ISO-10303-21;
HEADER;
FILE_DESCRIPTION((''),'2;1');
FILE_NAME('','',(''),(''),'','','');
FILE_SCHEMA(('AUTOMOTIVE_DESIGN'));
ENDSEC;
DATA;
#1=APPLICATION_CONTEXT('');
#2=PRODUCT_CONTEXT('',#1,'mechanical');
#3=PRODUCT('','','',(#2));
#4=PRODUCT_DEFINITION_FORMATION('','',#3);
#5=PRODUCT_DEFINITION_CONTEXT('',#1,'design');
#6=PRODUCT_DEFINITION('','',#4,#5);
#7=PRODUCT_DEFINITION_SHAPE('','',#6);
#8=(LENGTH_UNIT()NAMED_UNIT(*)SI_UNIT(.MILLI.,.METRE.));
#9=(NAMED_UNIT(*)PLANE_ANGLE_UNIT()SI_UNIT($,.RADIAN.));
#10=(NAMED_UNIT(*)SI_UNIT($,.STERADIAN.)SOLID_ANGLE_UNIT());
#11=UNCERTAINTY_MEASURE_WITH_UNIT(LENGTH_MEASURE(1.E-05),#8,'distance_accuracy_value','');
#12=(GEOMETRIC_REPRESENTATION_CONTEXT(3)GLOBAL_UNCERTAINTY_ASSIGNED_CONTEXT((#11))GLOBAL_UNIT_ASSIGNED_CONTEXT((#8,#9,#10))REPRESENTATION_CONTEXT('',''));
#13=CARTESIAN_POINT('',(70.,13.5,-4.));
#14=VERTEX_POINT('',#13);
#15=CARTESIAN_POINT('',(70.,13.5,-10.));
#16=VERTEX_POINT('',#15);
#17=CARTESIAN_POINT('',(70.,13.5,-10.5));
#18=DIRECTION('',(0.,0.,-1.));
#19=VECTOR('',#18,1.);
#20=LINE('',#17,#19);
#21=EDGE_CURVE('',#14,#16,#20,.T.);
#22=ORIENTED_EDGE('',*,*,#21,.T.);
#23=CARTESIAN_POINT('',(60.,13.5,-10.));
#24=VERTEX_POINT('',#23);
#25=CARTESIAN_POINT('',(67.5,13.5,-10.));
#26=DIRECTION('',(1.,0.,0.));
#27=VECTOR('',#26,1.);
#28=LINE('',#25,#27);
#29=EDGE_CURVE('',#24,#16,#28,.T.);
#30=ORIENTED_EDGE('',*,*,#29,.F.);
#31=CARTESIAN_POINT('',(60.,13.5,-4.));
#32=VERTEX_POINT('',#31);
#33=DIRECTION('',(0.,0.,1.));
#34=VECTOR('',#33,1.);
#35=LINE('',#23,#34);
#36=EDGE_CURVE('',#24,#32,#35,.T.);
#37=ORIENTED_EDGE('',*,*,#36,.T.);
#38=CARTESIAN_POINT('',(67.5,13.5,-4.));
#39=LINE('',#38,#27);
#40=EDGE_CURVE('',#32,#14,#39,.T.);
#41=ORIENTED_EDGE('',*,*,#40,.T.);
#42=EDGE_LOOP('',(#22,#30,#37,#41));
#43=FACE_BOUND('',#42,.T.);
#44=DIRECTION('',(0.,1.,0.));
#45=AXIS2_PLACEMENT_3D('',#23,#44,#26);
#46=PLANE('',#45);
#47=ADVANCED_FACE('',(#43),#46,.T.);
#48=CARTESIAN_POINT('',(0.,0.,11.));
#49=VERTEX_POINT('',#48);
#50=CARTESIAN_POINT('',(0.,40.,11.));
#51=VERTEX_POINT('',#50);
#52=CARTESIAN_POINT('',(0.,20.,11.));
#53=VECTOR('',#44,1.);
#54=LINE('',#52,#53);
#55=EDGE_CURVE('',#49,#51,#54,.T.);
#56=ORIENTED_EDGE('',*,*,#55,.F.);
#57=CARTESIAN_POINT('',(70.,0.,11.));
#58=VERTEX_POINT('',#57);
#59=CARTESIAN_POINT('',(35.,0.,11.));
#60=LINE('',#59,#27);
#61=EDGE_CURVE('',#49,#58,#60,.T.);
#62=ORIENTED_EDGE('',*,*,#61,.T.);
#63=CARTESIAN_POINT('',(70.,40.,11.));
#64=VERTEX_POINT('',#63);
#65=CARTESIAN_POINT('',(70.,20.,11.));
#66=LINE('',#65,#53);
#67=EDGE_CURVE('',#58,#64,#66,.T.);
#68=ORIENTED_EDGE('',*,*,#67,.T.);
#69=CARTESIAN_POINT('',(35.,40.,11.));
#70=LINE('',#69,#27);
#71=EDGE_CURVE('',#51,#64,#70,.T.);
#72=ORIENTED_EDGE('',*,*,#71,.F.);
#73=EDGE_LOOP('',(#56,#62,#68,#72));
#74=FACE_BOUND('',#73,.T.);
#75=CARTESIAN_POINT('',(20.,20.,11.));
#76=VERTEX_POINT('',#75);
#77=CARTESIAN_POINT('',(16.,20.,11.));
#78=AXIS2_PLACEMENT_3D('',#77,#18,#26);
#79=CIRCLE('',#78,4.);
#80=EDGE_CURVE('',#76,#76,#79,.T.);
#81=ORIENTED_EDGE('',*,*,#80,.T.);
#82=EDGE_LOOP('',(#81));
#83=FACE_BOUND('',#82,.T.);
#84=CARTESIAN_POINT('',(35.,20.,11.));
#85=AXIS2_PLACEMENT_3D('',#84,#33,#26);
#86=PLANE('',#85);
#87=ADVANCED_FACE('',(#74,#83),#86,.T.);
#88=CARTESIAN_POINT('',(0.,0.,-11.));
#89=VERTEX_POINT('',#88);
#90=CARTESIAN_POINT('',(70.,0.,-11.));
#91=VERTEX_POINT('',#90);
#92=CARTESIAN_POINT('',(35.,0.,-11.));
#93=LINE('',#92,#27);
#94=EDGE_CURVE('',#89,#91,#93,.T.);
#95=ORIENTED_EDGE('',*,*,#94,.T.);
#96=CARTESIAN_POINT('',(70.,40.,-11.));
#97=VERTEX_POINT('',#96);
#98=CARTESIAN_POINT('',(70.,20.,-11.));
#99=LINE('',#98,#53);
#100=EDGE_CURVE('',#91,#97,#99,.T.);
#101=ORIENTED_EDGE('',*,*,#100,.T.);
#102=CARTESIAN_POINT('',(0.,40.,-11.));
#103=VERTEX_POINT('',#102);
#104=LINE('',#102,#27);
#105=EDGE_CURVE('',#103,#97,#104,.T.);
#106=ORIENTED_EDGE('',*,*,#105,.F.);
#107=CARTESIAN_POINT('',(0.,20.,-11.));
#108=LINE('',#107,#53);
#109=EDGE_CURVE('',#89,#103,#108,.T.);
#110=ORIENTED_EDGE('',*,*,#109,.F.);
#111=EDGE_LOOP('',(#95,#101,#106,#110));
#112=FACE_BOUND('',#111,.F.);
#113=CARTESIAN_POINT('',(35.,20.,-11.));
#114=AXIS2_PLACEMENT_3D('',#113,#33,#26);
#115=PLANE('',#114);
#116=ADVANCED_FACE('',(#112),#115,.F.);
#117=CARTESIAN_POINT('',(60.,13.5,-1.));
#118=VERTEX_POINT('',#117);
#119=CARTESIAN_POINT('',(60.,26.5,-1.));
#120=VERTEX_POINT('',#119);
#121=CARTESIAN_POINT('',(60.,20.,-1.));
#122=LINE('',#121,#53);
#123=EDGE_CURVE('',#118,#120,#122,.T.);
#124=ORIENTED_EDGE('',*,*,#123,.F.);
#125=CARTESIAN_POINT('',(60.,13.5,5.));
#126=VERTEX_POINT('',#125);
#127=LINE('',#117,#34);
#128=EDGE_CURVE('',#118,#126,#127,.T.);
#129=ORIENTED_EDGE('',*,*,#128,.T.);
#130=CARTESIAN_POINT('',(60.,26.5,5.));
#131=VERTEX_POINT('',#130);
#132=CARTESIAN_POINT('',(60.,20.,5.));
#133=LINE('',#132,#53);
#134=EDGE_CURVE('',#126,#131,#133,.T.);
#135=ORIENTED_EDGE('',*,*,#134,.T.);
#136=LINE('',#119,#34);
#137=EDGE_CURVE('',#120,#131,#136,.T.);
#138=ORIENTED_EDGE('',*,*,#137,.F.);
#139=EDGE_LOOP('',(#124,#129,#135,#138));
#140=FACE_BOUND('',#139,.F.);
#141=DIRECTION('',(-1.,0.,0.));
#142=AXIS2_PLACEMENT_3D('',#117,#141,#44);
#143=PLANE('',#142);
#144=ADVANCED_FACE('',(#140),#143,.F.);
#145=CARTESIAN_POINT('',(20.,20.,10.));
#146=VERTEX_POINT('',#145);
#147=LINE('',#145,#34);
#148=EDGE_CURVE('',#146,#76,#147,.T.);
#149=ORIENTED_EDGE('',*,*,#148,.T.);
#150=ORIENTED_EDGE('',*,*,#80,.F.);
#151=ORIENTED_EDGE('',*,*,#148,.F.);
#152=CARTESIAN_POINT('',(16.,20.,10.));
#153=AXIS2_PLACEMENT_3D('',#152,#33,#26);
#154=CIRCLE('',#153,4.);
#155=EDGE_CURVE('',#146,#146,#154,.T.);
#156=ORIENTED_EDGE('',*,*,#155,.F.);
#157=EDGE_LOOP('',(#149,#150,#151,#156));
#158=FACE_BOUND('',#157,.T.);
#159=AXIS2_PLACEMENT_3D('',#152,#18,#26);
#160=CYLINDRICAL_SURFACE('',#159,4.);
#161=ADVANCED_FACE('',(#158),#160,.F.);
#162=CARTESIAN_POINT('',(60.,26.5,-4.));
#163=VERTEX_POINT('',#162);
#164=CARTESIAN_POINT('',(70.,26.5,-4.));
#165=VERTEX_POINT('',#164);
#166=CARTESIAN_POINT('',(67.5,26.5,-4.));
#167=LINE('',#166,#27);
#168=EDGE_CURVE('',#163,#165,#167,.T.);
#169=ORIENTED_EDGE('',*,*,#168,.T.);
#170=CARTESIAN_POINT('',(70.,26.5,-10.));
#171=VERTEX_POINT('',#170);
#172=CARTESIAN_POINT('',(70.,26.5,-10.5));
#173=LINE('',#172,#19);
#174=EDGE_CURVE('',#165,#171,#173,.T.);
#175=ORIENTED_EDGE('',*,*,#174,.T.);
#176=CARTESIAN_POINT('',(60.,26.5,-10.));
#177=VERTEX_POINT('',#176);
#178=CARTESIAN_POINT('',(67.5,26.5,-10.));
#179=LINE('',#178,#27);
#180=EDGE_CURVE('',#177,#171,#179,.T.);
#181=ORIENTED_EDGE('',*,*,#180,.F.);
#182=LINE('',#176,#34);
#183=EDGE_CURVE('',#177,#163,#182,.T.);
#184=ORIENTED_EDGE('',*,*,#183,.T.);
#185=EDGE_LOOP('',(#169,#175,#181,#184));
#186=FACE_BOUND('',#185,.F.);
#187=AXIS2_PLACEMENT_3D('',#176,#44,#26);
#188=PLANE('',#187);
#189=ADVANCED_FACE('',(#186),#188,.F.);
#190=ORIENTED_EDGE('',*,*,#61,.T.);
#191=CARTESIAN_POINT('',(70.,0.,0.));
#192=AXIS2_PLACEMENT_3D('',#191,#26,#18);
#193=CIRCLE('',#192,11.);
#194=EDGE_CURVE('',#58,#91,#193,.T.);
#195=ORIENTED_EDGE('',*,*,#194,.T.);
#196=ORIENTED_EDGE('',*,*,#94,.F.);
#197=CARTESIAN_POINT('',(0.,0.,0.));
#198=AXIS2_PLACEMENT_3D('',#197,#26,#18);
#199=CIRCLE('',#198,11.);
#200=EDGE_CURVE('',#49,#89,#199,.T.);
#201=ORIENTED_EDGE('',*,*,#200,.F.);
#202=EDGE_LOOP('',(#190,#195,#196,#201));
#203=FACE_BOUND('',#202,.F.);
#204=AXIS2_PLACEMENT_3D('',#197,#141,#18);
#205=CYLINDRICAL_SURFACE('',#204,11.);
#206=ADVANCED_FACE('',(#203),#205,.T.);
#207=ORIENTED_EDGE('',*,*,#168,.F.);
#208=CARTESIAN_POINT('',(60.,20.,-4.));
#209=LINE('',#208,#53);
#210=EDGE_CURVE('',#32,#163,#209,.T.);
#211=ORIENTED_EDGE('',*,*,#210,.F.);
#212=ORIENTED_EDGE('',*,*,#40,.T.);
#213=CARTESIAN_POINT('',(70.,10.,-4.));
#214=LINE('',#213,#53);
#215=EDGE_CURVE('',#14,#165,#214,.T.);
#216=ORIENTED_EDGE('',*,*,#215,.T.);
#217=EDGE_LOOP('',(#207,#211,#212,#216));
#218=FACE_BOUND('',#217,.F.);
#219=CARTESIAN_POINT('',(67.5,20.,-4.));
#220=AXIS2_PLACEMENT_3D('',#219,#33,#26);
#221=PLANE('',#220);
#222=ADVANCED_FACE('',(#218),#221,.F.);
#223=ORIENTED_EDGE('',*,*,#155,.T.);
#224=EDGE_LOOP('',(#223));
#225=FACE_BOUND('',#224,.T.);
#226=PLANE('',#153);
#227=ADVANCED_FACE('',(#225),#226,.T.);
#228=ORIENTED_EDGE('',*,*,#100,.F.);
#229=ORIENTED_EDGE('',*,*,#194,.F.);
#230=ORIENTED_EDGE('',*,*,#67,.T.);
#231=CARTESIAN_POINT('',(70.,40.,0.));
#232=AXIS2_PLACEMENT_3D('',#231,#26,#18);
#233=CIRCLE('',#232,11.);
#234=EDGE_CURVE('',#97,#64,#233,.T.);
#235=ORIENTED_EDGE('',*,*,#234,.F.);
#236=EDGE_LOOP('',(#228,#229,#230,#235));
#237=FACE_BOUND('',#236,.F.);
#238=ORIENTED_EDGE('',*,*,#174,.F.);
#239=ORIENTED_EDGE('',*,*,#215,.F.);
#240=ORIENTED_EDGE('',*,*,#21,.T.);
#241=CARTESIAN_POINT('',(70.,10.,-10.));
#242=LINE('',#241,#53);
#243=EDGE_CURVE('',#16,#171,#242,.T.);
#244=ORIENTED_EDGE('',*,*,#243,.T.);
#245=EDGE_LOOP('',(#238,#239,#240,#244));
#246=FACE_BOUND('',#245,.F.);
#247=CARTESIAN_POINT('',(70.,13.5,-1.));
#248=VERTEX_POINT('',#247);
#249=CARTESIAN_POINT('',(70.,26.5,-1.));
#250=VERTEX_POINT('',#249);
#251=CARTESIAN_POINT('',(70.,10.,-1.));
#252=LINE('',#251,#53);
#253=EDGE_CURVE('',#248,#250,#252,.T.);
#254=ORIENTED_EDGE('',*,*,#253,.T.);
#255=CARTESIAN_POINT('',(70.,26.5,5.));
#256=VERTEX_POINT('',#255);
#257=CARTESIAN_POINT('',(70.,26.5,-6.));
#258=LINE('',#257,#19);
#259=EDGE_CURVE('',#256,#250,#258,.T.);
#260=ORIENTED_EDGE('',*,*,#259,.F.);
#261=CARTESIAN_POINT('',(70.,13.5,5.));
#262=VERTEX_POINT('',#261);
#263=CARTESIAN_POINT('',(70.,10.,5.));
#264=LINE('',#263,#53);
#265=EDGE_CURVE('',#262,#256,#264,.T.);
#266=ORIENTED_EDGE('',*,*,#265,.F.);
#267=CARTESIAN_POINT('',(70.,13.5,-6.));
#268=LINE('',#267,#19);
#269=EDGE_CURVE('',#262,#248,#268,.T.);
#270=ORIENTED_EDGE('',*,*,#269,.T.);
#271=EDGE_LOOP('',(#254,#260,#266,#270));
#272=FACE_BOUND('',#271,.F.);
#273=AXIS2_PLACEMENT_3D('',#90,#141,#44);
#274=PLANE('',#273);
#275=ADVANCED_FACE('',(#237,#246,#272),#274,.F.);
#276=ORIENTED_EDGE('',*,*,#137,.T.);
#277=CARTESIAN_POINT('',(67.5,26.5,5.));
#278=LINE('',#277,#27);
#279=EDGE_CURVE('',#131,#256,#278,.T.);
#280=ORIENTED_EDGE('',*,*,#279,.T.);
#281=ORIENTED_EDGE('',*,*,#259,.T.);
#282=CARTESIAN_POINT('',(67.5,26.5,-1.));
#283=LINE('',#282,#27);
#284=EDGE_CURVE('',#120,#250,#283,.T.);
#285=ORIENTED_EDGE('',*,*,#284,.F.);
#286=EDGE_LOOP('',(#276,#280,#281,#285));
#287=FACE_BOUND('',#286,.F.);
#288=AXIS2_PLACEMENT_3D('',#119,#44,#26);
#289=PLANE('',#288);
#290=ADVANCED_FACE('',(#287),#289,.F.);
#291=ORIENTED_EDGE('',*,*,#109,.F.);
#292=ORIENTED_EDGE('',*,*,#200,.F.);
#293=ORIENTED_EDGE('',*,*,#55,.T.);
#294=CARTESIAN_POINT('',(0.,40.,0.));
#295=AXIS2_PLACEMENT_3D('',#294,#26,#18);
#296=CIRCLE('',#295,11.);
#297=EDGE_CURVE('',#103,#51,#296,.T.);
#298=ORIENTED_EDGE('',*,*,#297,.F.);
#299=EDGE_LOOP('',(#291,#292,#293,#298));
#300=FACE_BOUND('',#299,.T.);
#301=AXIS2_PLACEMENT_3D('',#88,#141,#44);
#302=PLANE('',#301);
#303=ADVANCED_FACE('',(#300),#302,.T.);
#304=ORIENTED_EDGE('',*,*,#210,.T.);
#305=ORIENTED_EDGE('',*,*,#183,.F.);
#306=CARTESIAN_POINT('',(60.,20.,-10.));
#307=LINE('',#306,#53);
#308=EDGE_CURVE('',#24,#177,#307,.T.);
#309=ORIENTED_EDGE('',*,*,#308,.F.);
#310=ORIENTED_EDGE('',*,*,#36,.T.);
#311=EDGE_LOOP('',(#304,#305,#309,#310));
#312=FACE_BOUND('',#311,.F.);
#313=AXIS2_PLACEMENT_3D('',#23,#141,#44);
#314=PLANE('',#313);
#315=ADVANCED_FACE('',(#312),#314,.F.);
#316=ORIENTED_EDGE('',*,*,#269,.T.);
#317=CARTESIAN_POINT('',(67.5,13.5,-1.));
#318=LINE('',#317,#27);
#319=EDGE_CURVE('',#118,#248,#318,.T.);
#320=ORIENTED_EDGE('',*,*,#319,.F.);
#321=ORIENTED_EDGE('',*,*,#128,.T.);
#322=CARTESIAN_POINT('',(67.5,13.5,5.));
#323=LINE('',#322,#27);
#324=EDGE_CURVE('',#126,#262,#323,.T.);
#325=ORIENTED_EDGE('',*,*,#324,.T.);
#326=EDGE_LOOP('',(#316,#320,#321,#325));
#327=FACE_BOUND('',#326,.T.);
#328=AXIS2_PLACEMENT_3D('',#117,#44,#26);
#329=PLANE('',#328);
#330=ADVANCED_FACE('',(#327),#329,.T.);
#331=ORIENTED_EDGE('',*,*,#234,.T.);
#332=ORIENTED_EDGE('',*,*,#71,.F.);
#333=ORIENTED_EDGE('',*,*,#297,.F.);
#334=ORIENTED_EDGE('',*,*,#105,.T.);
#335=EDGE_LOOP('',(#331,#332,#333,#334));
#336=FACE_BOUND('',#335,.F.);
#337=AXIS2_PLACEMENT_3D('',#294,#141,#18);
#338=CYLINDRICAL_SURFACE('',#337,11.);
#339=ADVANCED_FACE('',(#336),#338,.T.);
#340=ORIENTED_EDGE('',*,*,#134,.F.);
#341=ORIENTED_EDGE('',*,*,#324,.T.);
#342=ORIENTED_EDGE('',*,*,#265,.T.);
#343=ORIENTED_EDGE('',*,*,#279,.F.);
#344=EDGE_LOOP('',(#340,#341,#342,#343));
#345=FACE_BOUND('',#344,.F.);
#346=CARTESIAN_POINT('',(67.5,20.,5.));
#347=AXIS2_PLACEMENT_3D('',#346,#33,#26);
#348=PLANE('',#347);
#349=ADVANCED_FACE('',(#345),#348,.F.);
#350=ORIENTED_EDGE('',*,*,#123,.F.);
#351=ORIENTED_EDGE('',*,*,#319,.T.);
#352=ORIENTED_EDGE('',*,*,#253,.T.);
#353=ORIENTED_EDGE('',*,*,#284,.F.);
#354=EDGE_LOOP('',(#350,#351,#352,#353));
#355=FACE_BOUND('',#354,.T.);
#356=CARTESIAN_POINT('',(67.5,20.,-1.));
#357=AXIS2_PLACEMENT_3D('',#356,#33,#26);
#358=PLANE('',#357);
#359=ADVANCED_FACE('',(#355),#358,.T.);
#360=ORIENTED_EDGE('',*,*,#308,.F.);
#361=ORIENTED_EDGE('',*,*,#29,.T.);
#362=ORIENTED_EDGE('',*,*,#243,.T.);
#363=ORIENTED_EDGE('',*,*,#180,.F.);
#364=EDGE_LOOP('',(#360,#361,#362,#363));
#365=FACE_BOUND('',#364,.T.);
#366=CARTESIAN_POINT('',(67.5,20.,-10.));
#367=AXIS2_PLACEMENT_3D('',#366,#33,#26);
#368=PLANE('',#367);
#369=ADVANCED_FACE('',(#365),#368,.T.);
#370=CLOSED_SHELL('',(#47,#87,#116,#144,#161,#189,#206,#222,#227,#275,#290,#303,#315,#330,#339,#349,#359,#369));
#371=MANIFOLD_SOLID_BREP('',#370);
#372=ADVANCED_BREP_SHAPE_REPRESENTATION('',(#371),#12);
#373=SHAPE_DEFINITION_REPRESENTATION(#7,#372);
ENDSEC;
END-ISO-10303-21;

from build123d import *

# Parameters (mm, degrees)
CYLINDER002_R           = 4
CYLINDER002_DEPTH       = 2
BOX001_W                = 15
BOX001_H                = 13
BOX001_DEPTH            = 6
BOX001001_W             = 15
BOX001001_H             = 13
BOX001001_DEPTH         = 6
BOX_W                   = 70
BOX_H                   = 40
BOX_DEPTH               = 22
CYLINDER_R              = 11
CYLINDER_DEPTH          = 70
CYLINDER_PITCH_ANGLE    = 90
CYLINDER001_R           = 11
CYLINDER001_DEPTH       = 70
CYLINDER001_PITCH_ANGLE = 90


with BuildPart() as powerbutton:
    # Cylinder002 → Cylinder002 (new body)
    with BuildSketch(Plane(origin=(16, 20, 10), x_dir=(1, 0, 0), z_dir=(0, 0, 1))):
        Circle(CYLINDER002_R)
    extrude(amount=CYLINDER002_DEPTH)


with BuildPart() as usb1:
    # Box001 → Box001 (new body)
    with BuildSketch(Plane(origin=(60, 13.5, -1), x_dir=(1, 0, 0), z_dir=(0, 0, 1))):
        with Locations((7.5, 6.5)):
            Rectangle(BOX001_W, BOX001_H)
    extrude(amount=BOX001_DEPTH)


with BuildPart() as fusion001:
    # Box001001 → Box001001 (new body)
    with BuildSketch(Plane(origin=(60, 13.5, -10), x_dir=(1, 0, 0), z_dir=(0, 0, 1))):
        with Locations((7.5, 6.5)):
            Rectangle(BOX001001_W, BOX001001_H)
    extrude(amount=BOX001001_DEPTH)

    # Fusion001: union PowerButton, USB1
    add(powerbutton.part)
    add(usb1.part)


with BuildPart() as box:
    # Box → Box (new body)
    with BuildSketch(Plane.XY.offset(-11)):
        with Locations((35, 20)):
            Rectangle(BOX_W, BOX_H)
    extrude(amount=BOX_DEPTH)


with BuildPart() as cylinder:
    # Cylinder → Cylinder (new body)
    with BuildSketch(Plane.XY):
        Circle(CYLINDER_R)
    extrude(amount=CYLINDER_DEPTH)


with BuildPart() as cylinder_1:
    # Cylinder pitch: moved
    add(cylinder.part.rotate(Axis((0, 0, 0), (0, 1, 0)), CYLINDER_PITCH_ANGLE))


with BuildPart() as cylinder_2:
    # Cylinder placement: moved
    add(cylinder_1.part)


with BuildPart() as eneloop:
    # Cylinder001 → Cylinder001 (new body)
    with BuildSketch(Plane.XY):
        Circle(CYLINDER001_R)
    extrude(amount=CYLINDER001_DEPTH)


with BuildPart() as eneloop_1:
    # Cylinder001 pitch: moved
    add(eneloop.part.rotate(Axis((0, 0, 0), (0, 1, 0)), CYLINDER001_PITCH_ANGLE))


with BuildPart() as eneloop_2:
    # Cylinder001 placement: moved
    add(eneloop_1.part.moved(Location((0, 40, 0))))

    # Fusion: union Box, Cylinder
    add(box.part)
    add(cylinder_2.part)

    # Cut: cut Fusion001
    add(fusion001.part, mode=Mode.SUBTRACT)


solid = eneloop_2.part
